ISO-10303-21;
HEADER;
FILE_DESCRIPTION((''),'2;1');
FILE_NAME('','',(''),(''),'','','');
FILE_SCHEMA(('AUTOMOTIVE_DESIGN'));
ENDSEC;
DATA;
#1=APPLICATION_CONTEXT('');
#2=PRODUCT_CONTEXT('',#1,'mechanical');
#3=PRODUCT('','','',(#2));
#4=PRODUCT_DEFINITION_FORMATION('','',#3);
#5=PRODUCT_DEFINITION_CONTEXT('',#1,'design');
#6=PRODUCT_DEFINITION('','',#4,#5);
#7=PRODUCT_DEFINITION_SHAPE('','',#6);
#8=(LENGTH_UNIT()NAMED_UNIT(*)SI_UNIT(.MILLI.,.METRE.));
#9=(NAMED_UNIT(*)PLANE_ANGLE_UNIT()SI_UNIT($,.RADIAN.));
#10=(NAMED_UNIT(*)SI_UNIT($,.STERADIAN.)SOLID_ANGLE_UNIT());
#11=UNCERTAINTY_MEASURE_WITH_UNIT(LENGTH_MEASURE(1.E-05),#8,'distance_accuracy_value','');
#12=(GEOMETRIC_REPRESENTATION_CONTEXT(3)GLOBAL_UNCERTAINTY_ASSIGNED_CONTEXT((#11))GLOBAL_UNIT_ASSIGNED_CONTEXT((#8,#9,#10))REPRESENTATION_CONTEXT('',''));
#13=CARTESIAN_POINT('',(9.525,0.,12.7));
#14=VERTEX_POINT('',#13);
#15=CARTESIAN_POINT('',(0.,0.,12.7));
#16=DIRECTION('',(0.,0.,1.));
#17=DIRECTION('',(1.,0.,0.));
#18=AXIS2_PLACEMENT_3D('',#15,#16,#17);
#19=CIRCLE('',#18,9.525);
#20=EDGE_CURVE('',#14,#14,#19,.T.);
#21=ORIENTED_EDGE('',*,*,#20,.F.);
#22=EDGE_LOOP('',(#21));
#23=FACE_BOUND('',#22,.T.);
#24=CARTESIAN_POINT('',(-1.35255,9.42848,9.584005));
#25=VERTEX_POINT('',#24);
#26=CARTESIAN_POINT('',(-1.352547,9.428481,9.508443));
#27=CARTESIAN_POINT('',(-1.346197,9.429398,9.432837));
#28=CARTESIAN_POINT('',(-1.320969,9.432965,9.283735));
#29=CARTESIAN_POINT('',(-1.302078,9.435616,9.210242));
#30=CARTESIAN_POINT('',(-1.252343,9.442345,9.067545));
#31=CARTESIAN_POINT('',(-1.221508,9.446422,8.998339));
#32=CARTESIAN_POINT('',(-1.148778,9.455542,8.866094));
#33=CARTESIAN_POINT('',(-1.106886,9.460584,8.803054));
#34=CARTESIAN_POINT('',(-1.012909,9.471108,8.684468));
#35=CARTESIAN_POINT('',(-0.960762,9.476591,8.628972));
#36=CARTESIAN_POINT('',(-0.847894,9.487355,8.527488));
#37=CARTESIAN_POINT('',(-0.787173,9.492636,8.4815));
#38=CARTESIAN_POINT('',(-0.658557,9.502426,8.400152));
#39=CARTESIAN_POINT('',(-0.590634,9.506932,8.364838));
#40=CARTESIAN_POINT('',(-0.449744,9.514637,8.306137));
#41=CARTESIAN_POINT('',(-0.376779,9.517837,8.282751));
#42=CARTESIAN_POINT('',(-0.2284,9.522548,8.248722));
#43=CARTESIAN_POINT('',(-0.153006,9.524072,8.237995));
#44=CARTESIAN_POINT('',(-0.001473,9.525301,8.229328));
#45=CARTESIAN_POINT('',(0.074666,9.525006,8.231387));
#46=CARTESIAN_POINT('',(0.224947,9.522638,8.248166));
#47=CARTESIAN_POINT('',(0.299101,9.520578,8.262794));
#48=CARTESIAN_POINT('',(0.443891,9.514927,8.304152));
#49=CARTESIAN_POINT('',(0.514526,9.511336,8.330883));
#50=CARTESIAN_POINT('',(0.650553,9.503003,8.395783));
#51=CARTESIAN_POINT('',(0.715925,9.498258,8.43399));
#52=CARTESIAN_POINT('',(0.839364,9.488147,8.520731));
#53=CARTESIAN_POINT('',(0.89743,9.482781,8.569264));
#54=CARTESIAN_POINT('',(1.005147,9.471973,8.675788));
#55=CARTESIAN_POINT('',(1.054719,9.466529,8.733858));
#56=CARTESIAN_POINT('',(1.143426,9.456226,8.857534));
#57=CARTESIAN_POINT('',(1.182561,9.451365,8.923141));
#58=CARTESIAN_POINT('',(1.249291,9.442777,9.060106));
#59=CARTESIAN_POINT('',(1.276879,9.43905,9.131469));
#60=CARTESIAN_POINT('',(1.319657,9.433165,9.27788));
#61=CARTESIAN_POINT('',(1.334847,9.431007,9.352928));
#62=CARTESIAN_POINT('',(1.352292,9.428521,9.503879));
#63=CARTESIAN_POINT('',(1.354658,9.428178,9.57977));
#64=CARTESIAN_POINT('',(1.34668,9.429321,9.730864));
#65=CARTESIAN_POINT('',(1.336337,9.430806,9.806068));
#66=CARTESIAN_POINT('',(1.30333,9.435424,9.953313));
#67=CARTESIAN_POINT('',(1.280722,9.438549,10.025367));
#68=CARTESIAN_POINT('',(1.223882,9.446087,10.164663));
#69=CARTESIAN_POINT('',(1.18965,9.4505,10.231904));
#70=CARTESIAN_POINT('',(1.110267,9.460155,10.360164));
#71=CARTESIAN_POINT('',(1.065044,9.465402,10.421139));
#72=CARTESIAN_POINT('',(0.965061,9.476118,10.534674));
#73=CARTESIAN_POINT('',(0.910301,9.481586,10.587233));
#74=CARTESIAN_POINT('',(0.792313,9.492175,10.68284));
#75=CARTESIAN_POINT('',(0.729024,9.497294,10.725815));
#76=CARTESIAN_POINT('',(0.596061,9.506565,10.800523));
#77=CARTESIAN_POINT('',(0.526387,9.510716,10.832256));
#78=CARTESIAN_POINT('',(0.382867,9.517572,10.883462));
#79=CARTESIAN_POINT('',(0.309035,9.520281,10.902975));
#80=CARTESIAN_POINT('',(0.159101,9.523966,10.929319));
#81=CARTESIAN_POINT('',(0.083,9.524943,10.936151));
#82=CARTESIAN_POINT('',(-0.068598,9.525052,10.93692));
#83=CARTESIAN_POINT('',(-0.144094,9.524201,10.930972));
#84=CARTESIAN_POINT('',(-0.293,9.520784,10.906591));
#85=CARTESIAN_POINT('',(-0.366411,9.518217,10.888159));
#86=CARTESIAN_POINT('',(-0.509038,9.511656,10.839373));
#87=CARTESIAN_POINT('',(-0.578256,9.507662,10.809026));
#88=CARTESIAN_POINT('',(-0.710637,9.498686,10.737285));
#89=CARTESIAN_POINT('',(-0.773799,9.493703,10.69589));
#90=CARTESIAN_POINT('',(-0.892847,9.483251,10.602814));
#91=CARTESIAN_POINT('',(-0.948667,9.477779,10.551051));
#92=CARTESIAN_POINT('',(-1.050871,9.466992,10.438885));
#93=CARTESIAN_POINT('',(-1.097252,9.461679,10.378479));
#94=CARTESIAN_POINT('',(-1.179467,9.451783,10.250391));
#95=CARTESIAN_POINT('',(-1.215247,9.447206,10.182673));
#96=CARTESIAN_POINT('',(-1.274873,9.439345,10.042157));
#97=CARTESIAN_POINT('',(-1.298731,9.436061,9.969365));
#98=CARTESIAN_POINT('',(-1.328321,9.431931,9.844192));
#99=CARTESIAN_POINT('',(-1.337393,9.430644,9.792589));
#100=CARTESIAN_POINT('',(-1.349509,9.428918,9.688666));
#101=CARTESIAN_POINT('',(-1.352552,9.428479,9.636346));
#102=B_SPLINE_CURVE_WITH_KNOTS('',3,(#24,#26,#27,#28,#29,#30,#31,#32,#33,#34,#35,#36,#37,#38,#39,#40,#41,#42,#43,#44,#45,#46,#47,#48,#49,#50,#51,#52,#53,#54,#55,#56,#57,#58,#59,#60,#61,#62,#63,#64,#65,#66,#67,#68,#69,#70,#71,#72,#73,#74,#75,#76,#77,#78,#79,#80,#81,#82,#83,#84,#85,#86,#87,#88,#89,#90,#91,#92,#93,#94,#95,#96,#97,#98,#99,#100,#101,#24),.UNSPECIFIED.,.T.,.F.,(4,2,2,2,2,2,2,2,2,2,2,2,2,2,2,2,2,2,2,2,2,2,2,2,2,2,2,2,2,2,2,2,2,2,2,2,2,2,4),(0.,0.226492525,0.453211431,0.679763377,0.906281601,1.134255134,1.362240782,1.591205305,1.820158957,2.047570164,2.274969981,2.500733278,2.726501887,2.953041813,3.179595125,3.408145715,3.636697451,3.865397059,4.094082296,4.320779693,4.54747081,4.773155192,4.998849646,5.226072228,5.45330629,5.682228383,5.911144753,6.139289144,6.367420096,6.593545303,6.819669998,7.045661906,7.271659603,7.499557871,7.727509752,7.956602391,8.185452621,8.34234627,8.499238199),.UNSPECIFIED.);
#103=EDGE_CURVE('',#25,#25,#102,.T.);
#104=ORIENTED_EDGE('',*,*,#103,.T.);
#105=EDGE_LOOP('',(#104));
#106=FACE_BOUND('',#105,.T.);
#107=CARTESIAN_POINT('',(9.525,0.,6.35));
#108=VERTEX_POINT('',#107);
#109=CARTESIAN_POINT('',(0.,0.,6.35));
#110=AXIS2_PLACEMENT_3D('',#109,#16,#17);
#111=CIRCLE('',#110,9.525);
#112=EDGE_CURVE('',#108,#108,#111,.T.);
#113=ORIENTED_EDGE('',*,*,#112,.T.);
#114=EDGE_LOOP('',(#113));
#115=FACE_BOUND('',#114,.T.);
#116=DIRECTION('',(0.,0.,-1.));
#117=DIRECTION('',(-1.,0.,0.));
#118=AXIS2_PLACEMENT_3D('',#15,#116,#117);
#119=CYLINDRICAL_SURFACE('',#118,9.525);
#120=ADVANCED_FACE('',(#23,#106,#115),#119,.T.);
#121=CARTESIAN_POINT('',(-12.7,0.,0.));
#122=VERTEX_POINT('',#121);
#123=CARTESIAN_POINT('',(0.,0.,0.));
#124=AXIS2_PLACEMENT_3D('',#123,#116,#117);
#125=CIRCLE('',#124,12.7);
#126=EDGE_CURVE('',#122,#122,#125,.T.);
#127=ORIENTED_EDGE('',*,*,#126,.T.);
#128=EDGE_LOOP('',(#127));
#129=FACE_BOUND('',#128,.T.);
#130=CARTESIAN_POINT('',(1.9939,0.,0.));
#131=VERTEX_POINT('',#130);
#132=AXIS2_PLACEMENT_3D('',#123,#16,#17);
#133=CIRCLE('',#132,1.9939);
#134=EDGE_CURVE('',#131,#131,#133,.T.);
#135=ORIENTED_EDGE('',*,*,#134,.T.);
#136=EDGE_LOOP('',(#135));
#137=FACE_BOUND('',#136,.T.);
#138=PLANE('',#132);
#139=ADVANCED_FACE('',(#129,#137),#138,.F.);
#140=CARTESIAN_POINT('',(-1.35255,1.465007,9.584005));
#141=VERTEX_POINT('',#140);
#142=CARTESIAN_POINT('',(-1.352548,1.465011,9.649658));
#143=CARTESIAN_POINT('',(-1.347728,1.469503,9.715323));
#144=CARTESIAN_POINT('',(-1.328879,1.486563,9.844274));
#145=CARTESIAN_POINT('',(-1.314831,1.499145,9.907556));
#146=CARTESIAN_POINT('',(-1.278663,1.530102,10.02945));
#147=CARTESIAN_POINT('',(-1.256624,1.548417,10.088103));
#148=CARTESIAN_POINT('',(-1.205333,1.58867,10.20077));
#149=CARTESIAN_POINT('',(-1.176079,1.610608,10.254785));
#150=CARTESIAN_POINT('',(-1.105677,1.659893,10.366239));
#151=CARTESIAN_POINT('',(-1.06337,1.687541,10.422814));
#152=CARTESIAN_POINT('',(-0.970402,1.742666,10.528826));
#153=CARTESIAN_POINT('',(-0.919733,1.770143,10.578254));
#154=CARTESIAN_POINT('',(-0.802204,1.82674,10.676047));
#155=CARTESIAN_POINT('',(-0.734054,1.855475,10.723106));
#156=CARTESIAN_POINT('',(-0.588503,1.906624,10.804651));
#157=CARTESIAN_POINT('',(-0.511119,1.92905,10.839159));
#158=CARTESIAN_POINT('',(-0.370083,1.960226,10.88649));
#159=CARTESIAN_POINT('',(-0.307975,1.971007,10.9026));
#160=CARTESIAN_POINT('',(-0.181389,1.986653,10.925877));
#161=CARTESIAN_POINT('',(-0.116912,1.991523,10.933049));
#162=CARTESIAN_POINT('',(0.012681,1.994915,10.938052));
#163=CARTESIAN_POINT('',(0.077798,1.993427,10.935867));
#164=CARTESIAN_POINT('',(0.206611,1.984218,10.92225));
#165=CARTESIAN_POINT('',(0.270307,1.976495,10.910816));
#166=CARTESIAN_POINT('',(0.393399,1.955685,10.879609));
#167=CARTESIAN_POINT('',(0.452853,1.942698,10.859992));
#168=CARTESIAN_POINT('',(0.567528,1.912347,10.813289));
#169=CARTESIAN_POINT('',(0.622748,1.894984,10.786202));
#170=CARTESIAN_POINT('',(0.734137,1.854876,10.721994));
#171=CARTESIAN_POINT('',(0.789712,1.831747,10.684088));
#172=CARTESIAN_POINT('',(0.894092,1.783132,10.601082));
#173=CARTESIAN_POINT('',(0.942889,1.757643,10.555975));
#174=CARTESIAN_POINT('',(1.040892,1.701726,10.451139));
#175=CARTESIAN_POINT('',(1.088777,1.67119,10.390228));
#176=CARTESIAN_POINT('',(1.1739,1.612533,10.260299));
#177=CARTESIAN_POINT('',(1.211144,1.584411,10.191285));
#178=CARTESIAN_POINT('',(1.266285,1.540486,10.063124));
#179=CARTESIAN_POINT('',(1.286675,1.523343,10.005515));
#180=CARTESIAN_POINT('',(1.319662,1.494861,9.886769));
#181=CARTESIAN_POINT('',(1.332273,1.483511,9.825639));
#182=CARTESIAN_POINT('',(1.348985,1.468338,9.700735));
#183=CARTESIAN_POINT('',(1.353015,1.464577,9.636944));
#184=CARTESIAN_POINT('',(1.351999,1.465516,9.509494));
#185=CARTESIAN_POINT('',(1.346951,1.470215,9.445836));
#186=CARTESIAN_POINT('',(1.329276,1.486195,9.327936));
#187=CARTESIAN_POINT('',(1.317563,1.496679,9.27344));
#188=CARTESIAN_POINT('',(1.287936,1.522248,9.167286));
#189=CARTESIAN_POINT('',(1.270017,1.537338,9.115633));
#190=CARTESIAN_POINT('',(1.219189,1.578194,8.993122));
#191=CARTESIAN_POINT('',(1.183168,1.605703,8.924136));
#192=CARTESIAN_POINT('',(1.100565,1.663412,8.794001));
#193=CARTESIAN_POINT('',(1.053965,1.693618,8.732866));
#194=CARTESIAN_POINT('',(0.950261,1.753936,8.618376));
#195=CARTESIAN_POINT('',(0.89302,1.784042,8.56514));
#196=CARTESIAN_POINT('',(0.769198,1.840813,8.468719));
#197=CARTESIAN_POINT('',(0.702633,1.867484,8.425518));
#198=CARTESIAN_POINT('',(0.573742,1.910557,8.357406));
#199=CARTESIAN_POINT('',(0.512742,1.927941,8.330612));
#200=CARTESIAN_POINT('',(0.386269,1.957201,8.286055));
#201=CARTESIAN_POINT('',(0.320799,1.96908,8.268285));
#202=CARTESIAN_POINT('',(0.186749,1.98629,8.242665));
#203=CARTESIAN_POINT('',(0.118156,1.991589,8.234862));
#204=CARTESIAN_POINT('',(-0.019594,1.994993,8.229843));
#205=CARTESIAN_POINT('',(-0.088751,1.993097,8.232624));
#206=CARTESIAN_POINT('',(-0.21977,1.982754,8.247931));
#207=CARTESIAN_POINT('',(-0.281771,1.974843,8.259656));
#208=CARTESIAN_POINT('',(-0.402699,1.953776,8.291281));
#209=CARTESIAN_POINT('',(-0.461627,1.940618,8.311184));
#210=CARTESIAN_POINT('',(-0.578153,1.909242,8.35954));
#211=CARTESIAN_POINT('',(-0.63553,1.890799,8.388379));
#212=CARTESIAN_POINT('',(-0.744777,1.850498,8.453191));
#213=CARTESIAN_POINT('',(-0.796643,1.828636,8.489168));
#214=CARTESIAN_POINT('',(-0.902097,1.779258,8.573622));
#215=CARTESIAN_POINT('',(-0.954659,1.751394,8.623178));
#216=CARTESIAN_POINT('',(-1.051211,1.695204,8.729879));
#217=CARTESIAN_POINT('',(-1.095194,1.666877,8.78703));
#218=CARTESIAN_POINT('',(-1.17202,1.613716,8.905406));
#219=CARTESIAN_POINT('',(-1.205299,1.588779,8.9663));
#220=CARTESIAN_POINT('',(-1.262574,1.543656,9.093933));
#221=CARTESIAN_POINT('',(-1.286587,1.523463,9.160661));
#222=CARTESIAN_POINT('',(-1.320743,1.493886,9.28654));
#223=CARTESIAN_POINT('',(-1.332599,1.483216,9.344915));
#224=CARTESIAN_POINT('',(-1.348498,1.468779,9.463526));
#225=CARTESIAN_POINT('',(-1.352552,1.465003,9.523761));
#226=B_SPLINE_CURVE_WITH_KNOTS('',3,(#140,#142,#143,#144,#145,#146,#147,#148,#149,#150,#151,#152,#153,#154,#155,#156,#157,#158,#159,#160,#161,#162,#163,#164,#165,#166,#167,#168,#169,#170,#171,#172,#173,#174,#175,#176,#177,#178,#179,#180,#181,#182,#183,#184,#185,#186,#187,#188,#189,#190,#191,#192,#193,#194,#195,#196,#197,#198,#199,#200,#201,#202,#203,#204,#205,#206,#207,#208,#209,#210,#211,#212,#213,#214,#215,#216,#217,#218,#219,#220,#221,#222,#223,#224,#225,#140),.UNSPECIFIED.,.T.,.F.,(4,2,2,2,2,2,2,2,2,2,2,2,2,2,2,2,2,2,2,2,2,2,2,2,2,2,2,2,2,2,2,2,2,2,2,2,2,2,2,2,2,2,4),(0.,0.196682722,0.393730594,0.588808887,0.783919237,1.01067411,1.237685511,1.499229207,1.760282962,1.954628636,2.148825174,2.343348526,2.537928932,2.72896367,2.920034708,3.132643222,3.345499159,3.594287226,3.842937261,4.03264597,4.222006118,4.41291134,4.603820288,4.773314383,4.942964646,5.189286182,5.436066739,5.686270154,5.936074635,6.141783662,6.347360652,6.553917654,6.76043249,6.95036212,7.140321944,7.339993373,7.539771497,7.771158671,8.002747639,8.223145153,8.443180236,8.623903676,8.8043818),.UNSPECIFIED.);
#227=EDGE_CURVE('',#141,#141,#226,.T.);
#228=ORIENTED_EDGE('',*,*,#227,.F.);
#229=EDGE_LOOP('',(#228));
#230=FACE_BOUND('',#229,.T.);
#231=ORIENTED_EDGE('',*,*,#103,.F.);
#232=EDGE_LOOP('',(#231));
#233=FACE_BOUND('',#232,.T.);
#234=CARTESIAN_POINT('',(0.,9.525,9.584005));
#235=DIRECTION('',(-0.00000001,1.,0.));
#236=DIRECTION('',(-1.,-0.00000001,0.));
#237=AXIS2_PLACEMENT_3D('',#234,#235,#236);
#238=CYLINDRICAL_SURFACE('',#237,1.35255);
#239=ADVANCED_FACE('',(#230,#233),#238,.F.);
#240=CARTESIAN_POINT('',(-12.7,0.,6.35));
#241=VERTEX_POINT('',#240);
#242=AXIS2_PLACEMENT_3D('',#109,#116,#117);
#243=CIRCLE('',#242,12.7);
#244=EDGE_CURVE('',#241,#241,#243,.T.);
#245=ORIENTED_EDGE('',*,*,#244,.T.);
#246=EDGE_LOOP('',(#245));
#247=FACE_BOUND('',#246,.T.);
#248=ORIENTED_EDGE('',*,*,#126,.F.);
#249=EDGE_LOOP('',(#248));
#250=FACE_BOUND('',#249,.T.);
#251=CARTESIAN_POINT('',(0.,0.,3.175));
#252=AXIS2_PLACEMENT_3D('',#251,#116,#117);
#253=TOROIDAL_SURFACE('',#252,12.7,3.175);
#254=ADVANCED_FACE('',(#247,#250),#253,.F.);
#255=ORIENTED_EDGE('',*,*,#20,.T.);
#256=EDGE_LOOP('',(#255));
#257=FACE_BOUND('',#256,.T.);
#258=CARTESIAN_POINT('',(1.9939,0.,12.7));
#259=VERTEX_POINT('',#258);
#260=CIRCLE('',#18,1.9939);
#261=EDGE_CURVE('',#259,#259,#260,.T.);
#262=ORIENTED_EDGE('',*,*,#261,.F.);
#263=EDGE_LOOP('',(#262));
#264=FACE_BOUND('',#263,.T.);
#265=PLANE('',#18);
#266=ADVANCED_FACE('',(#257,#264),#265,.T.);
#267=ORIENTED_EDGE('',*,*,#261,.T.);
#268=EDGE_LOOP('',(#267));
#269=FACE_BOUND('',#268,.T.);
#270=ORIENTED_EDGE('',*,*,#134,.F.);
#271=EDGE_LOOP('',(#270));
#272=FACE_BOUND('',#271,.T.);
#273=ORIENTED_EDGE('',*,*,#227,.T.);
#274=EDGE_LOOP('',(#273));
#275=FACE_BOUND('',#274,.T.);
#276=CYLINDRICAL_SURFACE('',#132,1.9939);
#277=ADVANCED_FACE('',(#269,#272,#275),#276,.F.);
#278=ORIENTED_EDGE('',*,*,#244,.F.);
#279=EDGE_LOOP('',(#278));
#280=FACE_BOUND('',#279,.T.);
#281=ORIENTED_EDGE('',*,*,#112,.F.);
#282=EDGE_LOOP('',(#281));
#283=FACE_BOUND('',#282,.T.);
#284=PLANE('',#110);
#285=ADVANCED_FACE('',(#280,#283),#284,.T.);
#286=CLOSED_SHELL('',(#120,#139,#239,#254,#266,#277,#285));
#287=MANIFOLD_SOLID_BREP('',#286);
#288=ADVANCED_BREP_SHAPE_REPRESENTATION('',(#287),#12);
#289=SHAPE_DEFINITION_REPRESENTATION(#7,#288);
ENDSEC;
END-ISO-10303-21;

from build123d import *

# Parameters (mm, degrees)
SKETCH1_R                 = 12.7
BOSS_EXTRUDE1_DEPTH       = 6.35
SKETCH2_R                 = 9.525
BOSS_EXTRUDE2_DEPTH       = 6.35
SKETCH3_R                 = 1.9939
CUT_EXTRUDE1_DEPTH        = 12.7
F_6_32_TAPPED_HOLE1_D     = 2.7051
F_6_32_TAPPED_HOLE1_DEPTH = 9.524
F_6_32_TAPPED_HOLE1_TIP   = 0.81269403


with BuildPart() as part:
    # Sketch1 → Boss-Extrude1 (new body)
    with BuildSketch(Plane.XY):
        Circle(SKETCH1_R)
    extrude(amount=BOSS_EXTRUDE1_DEPTH)

    # Sketch2 → Boss-Extrude2 (add)
    with BuildSketch(Plane.XY.offset(6.35)):
        Circle(SKETCH2_R)
    extrude(amount=BOSS_EXTRUDE2_DEPTH)

    # Sketch3 → Cut-Extrude1 (cut)
    with BuildSketch(Plane.XY.offset(12.7)):
        Circle(SKETCH3_R)
    extrude(amount=-CUT_EXTRUDE1_DEPTH, mode=Mode.SUBTRACT)

    # Sketch4 → Cut-Revolve1 (revolve, cut)
    with BuildSketch(Plane(origin=(0, 0, 0), x_dir=(1, 0, 0), z_dir=(0, 1, 0)), mode=Mode.PRIVATE) as cut_revolve1_sk:
        with BuildLine():
            Line((12.7, 0), (12.7, -6.35))
            ThreePointArc((12.7, -6.35), (9.525, -3.175), (12.7, 0))
        make_face()
    revolve(cut_revolve1_sk.sketch.rotate(Axis((0, 0, -3.575887172), (0, 0, 1)), 180), axis=Axis((0, 0, -3.575887172), (0, 0, 1)), mode=Mode.SUBTRACT)

    # #6-32 Tapped Hole1
    with Locations(Plane(origin=(-9.4e-08, 9.525, 9.584004604), x_dir=(1.0, 9.833e-09, 0), z_dir=(-9.833e-09, 1.0, 0))):
        with Locations((0, 0)):
            Hole(F_6_32_TAPPED_HOLE1_D / 2, depth=F_6_32_TAPPED_HOLE1_DEPTH)
            with Locations((0, 0, -(F_6_32_TAPPED_HOLE1_DEPTH + F_6_32_TAPPED_HOLE1_TIP / 2))):  # 118° drill point
                Cone(0, F_6_32_TAPPED_HOLE1_D / 2, F_6_32_TAPPED_HOLE1_TIP, mode=Mode.SUBTRACT)


solid = part.part
